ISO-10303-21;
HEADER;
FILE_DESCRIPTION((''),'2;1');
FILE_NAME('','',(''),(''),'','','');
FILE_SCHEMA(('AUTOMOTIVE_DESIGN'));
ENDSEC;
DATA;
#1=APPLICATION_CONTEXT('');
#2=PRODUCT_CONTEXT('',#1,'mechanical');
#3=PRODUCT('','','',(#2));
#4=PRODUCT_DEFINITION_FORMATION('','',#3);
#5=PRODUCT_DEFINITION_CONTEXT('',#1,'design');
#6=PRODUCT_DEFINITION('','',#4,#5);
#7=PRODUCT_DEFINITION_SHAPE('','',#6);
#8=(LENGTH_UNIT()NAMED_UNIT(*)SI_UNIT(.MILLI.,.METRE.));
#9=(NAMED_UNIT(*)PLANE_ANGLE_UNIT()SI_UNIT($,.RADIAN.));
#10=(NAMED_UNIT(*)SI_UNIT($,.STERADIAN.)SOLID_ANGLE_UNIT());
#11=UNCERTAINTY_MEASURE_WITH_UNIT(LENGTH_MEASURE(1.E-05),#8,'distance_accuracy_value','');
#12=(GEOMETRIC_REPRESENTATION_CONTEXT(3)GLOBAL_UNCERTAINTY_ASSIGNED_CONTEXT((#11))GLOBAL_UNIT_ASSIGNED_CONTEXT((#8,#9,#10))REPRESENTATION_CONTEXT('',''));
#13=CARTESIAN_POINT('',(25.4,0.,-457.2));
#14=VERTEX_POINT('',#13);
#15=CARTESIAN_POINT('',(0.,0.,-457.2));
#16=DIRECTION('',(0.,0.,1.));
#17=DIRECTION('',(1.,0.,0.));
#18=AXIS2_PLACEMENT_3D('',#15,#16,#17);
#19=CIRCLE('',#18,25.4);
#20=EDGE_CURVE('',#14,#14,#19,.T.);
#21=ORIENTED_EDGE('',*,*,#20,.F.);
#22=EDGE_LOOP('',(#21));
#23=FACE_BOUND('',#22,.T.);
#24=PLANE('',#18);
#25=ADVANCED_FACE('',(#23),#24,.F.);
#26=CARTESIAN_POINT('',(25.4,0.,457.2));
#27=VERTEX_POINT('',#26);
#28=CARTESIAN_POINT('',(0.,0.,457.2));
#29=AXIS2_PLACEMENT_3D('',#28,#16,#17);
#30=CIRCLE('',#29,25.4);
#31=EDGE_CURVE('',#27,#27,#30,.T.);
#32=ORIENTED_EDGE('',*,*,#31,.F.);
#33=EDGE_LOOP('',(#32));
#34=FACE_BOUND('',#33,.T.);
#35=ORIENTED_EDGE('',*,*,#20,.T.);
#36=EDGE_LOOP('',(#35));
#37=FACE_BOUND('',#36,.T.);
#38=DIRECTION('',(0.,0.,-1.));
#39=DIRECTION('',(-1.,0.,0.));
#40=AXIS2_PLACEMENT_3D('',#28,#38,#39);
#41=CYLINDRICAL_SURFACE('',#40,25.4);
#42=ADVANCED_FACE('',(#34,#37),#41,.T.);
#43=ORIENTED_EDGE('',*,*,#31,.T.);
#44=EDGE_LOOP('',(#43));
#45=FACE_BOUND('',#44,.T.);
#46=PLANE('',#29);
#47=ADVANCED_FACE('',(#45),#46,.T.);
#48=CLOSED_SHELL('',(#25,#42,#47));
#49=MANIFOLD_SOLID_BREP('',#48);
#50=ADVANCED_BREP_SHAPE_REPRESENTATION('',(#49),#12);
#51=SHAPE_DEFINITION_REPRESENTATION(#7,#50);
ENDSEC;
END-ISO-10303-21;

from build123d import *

# Parameters (mm, degrees)
SKETCH3_R                = 25.4
BOSS_EXTRUDE1_DEPTH      = 457.2
BOSS_EXTRUDE1_DEPTH_BACK = 457.2


with BuildPart() as part:
    # Sketch3 → Boss-Extrude1 (new body, two sides)
    with BuildSketch(Plane.XY) as boss_extrude1_sk:
        Circle(SKETCH3_R)
    extrude(amount=BOSS_EXTRUDE1_DEPTH)
    extrude(boss_extrude1_sk.sketch, amount=-BOSS_EXTRUDE1_DEPTH_BACK)


solid = part.part
